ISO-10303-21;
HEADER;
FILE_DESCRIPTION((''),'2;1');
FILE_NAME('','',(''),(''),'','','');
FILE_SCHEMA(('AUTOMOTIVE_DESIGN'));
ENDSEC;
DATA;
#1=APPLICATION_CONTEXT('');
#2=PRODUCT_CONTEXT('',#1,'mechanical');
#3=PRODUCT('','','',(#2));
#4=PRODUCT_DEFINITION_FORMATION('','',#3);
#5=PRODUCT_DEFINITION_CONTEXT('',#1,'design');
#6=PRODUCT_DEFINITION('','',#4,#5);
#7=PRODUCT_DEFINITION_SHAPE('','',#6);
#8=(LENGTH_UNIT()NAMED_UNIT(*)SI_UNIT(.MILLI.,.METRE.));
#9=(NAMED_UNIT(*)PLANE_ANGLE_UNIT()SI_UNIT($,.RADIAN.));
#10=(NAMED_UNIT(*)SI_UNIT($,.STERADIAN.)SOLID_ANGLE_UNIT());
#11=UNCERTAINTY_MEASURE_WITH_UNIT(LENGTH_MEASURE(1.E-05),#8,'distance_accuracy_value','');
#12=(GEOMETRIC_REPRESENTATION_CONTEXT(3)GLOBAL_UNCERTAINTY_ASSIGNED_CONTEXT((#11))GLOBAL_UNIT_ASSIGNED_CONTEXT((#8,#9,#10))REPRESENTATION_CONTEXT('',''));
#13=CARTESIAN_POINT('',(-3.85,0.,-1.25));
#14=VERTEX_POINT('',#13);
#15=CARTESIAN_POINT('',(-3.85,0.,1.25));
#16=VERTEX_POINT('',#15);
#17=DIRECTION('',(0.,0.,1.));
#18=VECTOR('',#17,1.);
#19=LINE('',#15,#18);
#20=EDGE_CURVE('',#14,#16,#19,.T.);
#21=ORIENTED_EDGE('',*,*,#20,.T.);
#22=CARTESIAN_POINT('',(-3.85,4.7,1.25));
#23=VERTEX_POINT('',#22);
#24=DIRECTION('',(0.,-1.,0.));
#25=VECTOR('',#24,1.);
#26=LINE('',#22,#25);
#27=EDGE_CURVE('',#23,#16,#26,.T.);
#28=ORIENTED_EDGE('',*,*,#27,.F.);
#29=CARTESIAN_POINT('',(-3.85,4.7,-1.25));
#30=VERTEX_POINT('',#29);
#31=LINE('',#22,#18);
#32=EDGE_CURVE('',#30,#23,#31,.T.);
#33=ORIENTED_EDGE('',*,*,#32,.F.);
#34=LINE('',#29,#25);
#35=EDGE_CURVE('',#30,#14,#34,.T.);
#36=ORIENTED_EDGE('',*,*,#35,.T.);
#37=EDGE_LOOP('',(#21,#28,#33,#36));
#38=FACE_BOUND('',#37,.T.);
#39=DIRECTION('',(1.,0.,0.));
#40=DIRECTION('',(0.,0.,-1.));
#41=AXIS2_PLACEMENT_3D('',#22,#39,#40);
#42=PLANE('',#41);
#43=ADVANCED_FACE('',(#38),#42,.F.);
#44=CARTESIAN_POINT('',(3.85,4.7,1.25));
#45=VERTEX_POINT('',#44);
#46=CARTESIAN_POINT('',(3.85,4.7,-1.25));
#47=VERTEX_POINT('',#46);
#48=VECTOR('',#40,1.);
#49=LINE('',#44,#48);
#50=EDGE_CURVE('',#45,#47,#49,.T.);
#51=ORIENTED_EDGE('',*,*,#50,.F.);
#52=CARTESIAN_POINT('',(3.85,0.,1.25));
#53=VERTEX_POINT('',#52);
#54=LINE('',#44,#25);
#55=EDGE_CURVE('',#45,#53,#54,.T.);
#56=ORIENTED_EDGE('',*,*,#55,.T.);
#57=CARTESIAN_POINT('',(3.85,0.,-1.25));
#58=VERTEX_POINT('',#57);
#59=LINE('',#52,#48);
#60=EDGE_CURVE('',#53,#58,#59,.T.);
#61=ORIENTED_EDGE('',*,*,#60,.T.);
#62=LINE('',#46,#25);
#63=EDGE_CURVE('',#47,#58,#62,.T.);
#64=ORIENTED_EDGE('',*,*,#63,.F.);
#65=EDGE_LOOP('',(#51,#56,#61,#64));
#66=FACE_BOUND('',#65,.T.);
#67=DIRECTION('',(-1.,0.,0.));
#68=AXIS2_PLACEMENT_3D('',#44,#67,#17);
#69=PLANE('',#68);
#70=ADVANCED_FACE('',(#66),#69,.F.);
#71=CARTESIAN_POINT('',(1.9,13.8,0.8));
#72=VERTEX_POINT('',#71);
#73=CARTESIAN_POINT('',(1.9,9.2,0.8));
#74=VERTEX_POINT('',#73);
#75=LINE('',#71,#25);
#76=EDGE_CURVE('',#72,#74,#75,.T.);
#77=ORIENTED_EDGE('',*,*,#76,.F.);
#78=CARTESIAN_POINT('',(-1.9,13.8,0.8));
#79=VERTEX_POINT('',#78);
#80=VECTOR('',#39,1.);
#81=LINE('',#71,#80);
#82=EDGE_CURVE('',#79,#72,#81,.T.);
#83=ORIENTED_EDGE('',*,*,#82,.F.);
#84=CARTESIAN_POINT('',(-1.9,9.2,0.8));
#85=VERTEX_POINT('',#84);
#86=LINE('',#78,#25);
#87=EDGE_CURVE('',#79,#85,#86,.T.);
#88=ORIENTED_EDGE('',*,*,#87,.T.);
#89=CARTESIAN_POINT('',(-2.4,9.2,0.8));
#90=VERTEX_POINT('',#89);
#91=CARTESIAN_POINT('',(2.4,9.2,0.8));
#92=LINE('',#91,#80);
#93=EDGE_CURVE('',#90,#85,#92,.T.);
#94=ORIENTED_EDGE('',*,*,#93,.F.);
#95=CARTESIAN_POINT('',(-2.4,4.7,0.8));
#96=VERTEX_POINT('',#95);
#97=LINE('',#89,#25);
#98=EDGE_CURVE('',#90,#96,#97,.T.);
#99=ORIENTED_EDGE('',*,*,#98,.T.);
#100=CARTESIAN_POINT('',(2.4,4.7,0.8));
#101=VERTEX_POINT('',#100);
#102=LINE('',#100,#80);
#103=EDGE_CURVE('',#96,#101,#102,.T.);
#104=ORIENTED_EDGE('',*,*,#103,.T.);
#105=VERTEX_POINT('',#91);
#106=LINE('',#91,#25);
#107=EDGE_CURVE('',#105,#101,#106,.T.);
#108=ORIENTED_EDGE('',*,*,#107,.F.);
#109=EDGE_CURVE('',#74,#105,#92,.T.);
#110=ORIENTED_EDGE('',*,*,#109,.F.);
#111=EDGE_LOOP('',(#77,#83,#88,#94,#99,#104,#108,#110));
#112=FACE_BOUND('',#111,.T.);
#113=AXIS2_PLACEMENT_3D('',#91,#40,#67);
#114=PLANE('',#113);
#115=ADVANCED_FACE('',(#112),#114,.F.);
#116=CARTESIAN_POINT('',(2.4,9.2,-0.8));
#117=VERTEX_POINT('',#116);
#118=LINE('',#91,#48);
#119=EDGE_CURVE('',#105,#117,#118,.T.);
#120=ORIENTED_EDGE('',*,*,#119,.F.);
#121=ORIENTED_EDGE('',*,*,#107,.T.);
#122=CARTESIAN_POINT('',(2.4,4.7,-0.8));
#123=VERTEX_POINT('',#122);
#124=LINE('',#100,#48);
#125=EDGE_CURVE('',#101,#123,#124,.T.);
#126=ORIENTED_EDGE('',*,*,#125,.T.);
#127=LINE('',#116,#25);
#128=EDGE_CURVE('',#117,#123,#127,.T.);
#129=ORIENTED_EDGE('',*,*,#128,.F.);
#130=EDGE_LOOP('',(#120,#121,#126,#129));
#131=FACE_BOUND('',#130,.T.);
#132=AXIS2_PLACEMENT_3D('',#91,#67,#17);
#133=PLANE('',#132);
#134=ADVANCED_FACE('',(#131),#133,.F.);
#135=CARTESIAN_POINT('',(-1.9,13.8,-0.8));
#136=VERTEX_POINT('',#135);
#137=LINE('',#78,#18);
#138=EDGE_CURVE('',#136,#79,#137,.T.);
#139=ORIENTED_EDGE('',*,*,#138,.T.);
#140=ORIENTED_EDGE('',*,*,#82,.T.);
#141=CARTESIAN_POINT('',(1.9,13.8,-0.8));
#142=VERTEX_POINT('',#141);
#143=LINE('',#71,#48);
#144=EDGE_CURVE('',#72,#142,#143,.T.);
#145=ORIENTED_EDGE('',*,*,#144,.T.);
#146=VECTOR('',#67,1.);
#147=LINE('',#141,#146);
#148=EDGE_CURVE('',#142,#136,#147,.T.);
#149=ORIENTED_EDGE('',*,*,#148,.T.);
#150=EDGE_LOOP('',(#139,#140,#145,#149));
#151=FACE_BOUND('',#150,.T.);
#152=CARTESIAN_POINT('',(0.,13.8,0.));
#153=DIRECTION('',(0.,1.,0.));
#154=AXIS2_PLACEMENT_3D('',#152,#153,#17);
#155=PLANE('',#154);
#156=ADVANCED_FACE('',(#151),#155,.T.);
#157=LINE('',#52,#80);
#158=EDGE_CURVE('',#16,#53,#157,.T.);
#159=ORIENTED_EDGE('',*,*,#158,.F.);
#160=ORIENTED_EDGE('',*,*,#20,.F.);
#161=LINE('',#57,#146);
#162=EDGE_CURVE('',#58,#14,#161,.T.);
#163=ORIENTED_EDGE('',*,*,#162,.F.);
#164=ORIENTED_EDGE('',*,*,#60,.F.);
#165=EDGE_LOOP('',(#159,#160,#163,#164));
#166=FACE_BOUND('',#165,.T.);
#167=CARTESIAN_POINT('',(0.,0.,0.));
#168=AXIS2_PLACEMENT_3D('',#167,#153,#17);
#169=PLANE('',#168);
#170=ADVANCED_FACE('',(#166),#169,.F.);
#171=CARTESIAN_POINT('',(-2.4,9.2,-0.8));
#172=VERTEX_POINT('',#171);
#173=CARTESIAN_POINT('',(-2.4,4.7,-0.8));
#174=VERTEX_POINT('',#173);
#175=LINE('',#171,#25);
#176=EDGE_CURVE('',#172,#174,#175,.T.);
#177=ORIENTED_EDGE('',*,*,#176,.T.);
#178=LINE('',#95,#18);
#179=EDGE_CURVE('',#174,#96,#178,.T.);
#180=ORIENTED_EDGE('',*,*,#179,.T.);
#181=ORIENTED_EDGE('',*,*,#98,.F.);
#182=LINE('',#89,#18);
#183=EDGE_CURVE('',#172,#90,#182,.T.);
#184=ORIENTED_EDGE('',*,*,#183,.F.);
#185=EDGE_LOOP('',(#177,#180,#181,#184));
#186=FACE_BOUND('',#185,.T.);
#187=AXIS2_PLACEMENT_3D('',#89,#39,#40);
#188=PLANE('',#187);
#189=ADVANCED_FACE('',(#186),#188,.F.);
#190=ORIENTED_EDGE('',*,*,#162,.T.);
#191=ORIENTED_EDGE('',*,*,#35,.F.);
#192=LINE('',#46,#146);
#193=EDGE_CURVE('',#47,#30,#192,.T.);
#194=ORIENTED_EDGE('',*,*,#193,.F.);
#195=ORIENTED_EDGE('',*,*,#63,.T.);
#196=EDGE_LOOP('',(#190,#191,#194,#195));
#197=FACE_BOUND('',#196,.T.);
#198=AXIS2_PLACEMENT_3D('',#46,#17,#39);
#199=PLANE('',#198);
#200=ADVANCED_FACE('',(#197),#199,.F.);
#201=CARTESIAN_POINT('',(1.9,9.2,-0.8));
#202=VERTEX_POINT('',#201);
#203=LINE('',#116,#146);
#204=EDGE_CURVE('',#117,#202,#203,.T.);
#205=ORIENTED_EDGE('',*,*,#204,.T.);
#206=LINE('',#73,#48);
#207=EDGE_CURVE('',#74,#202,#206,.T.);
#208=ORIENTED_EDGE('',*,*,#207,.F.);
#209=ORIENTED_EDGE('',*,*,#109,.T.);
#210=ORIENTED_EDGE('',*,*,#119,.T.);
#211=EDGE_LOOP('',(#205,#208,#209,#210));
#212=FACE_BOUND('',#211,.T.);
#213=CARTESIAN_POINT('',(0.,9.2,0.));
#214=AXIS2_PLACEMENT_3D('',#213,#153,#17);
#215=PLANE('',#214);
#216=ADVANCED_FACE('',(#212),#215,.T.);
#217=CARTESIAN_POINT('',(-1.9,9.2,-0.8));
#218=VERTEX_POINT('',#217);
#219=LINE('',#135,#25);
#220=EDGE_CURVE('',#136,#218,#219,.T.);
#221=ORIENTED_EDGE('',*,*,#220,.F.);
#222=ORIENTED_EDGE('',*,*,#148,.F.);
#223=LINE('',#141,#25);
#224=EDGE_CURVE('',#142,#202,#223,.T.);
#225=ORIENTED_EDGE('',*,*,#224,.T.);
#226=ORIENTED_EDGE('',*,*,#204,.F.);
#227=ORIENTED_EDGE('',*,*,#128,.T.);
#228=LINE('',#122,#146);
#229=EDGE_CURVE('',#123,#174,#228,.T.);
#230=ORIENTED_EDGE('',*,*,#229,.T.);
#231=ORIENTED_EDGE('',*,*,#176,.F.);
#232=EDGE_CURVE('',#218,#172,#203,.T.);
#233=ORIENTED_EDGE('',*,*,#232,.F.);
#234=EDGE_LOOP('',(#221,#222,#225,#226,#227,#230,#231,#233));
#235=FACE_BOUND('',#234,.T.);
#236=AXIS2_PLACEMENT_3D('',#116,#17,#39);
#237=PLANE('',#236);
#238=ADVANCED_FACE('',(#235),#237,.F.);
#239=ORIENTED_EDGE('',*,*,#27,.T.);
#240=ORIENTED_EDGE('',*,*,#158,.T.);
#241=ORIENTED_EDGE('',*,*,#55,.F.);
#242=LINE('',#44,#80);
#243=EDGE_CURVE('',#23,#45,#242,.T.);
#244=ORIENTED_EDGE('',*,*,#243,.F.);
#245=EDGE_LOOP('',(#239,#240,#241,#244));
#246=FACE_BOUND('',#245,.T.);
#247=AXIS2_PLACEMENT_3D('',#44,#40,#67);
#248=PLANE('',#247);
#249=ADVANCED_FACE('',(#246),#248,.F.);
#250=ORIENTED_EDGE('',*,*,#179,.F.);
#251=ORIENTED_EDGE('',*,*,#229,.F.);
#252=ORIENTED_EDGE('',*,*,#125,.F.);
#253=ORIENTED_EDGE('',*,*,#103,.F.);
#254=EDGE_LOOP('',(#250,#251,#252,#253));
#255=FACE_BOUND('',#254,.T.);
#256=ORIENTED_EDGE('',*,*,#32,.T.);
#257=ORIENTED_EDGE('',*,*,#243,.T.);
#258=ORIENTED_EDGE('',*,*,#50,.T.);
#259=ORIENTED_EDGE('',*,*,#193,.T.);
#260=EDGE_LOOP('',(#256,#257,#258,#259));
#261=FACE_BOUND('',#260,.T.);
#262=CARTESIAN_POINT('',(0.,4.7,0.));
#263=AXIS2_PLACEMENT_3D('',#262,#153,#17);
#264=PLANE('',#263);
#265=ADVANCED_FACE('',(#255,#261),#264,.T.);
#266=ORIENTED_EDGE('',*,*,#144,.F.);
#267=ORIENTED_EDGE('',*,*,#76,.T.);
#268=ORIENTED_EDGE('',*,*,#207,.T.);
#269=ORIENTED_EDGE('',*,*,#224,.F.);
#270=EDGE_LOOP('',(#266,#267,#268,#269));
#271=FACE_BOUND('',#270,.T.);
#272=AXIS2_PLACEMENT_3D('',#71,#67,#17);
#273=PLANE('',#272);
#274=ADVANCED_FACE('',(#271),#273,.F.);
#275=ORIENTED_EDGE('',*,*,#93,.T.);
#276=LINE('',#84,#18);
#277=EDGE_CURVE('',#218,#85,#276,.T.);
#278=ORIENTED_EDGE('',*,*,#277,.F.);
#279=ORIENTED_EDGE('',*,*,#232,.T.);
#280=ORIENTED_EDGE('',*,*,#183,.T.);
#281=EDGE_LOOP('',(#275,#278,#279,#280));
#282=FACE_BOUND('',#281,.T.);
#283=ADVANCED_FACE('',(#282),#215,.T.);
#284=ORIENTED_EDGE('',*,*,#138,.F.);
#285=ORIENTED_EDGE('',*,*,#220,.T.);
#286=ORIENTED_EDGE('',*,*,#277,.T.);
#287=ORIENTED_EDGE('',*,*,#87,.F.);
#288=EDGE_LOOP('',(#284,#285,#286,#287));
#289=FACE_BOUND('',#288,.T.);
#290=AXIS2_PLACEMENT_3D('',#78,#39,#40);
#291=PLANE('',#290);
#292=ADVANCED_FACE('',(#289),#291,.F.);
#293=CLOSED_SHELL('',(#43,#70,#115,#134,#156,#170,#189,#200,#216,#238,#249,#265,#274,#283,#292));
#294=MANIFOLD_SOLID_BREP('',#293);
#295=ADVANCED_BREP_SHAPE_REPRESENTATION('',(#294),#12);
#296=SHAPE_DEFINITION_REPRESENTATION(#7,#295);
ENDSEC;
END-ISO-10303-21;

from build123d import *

# Parameters (mm, degrees)
SKETCH1_W           = 7.7
SKETCH1_H           = 2.5
BOSS_EXTRUDE1_DEPTH = 4.7
SKETCH2_W           = 4.8
SKETCH2_H           = 1.6
BOSS_EXTRUDE2_DEPTH = 4.5
SKETCH3_W           = 3.8
SKETCH3_H           = 1.6
BOSS_EXTRUDE3_DEPTH = 4.6


with BuildPart() as part:
    # Sketch1 → Boss-Extrude1 (new body)
    with BuildSketch(Plane(origin=(0, 0, 0), x_dir=(1, 0, 0), z_dir=(0, 1, 0))):
        Rectangle(SKETCH1_W, SKETCH1_H)
    extrude(amount=BOSS_EXTRUDE1_DEPTH)

    # Sketch2 → Boss-Extrude2 (add)
    with BuildSketch(Plane(origin=(0, 4.7, 0), x_dir=(1, 0, 0), z_dir=(0, 1, 0))):
        Rectangle(SKETCH2_W, SKETCH2_H)
    extrude(amount=BOSS_EXTRUDE2_DEPTH)

    # Sketch3 → Boss-Extrude3 (add)
    with BuildSketch(Plane(origin=(0, 9.2, 0), x_dir=(1, 0, 0), z_dir=(0, 1, 0))):
        Rectangle(SKETCH3_W, SKETCH3_H)
    extrude(amount=BOSS_EXTRUDE3_DEPTH)


solid = part.part
